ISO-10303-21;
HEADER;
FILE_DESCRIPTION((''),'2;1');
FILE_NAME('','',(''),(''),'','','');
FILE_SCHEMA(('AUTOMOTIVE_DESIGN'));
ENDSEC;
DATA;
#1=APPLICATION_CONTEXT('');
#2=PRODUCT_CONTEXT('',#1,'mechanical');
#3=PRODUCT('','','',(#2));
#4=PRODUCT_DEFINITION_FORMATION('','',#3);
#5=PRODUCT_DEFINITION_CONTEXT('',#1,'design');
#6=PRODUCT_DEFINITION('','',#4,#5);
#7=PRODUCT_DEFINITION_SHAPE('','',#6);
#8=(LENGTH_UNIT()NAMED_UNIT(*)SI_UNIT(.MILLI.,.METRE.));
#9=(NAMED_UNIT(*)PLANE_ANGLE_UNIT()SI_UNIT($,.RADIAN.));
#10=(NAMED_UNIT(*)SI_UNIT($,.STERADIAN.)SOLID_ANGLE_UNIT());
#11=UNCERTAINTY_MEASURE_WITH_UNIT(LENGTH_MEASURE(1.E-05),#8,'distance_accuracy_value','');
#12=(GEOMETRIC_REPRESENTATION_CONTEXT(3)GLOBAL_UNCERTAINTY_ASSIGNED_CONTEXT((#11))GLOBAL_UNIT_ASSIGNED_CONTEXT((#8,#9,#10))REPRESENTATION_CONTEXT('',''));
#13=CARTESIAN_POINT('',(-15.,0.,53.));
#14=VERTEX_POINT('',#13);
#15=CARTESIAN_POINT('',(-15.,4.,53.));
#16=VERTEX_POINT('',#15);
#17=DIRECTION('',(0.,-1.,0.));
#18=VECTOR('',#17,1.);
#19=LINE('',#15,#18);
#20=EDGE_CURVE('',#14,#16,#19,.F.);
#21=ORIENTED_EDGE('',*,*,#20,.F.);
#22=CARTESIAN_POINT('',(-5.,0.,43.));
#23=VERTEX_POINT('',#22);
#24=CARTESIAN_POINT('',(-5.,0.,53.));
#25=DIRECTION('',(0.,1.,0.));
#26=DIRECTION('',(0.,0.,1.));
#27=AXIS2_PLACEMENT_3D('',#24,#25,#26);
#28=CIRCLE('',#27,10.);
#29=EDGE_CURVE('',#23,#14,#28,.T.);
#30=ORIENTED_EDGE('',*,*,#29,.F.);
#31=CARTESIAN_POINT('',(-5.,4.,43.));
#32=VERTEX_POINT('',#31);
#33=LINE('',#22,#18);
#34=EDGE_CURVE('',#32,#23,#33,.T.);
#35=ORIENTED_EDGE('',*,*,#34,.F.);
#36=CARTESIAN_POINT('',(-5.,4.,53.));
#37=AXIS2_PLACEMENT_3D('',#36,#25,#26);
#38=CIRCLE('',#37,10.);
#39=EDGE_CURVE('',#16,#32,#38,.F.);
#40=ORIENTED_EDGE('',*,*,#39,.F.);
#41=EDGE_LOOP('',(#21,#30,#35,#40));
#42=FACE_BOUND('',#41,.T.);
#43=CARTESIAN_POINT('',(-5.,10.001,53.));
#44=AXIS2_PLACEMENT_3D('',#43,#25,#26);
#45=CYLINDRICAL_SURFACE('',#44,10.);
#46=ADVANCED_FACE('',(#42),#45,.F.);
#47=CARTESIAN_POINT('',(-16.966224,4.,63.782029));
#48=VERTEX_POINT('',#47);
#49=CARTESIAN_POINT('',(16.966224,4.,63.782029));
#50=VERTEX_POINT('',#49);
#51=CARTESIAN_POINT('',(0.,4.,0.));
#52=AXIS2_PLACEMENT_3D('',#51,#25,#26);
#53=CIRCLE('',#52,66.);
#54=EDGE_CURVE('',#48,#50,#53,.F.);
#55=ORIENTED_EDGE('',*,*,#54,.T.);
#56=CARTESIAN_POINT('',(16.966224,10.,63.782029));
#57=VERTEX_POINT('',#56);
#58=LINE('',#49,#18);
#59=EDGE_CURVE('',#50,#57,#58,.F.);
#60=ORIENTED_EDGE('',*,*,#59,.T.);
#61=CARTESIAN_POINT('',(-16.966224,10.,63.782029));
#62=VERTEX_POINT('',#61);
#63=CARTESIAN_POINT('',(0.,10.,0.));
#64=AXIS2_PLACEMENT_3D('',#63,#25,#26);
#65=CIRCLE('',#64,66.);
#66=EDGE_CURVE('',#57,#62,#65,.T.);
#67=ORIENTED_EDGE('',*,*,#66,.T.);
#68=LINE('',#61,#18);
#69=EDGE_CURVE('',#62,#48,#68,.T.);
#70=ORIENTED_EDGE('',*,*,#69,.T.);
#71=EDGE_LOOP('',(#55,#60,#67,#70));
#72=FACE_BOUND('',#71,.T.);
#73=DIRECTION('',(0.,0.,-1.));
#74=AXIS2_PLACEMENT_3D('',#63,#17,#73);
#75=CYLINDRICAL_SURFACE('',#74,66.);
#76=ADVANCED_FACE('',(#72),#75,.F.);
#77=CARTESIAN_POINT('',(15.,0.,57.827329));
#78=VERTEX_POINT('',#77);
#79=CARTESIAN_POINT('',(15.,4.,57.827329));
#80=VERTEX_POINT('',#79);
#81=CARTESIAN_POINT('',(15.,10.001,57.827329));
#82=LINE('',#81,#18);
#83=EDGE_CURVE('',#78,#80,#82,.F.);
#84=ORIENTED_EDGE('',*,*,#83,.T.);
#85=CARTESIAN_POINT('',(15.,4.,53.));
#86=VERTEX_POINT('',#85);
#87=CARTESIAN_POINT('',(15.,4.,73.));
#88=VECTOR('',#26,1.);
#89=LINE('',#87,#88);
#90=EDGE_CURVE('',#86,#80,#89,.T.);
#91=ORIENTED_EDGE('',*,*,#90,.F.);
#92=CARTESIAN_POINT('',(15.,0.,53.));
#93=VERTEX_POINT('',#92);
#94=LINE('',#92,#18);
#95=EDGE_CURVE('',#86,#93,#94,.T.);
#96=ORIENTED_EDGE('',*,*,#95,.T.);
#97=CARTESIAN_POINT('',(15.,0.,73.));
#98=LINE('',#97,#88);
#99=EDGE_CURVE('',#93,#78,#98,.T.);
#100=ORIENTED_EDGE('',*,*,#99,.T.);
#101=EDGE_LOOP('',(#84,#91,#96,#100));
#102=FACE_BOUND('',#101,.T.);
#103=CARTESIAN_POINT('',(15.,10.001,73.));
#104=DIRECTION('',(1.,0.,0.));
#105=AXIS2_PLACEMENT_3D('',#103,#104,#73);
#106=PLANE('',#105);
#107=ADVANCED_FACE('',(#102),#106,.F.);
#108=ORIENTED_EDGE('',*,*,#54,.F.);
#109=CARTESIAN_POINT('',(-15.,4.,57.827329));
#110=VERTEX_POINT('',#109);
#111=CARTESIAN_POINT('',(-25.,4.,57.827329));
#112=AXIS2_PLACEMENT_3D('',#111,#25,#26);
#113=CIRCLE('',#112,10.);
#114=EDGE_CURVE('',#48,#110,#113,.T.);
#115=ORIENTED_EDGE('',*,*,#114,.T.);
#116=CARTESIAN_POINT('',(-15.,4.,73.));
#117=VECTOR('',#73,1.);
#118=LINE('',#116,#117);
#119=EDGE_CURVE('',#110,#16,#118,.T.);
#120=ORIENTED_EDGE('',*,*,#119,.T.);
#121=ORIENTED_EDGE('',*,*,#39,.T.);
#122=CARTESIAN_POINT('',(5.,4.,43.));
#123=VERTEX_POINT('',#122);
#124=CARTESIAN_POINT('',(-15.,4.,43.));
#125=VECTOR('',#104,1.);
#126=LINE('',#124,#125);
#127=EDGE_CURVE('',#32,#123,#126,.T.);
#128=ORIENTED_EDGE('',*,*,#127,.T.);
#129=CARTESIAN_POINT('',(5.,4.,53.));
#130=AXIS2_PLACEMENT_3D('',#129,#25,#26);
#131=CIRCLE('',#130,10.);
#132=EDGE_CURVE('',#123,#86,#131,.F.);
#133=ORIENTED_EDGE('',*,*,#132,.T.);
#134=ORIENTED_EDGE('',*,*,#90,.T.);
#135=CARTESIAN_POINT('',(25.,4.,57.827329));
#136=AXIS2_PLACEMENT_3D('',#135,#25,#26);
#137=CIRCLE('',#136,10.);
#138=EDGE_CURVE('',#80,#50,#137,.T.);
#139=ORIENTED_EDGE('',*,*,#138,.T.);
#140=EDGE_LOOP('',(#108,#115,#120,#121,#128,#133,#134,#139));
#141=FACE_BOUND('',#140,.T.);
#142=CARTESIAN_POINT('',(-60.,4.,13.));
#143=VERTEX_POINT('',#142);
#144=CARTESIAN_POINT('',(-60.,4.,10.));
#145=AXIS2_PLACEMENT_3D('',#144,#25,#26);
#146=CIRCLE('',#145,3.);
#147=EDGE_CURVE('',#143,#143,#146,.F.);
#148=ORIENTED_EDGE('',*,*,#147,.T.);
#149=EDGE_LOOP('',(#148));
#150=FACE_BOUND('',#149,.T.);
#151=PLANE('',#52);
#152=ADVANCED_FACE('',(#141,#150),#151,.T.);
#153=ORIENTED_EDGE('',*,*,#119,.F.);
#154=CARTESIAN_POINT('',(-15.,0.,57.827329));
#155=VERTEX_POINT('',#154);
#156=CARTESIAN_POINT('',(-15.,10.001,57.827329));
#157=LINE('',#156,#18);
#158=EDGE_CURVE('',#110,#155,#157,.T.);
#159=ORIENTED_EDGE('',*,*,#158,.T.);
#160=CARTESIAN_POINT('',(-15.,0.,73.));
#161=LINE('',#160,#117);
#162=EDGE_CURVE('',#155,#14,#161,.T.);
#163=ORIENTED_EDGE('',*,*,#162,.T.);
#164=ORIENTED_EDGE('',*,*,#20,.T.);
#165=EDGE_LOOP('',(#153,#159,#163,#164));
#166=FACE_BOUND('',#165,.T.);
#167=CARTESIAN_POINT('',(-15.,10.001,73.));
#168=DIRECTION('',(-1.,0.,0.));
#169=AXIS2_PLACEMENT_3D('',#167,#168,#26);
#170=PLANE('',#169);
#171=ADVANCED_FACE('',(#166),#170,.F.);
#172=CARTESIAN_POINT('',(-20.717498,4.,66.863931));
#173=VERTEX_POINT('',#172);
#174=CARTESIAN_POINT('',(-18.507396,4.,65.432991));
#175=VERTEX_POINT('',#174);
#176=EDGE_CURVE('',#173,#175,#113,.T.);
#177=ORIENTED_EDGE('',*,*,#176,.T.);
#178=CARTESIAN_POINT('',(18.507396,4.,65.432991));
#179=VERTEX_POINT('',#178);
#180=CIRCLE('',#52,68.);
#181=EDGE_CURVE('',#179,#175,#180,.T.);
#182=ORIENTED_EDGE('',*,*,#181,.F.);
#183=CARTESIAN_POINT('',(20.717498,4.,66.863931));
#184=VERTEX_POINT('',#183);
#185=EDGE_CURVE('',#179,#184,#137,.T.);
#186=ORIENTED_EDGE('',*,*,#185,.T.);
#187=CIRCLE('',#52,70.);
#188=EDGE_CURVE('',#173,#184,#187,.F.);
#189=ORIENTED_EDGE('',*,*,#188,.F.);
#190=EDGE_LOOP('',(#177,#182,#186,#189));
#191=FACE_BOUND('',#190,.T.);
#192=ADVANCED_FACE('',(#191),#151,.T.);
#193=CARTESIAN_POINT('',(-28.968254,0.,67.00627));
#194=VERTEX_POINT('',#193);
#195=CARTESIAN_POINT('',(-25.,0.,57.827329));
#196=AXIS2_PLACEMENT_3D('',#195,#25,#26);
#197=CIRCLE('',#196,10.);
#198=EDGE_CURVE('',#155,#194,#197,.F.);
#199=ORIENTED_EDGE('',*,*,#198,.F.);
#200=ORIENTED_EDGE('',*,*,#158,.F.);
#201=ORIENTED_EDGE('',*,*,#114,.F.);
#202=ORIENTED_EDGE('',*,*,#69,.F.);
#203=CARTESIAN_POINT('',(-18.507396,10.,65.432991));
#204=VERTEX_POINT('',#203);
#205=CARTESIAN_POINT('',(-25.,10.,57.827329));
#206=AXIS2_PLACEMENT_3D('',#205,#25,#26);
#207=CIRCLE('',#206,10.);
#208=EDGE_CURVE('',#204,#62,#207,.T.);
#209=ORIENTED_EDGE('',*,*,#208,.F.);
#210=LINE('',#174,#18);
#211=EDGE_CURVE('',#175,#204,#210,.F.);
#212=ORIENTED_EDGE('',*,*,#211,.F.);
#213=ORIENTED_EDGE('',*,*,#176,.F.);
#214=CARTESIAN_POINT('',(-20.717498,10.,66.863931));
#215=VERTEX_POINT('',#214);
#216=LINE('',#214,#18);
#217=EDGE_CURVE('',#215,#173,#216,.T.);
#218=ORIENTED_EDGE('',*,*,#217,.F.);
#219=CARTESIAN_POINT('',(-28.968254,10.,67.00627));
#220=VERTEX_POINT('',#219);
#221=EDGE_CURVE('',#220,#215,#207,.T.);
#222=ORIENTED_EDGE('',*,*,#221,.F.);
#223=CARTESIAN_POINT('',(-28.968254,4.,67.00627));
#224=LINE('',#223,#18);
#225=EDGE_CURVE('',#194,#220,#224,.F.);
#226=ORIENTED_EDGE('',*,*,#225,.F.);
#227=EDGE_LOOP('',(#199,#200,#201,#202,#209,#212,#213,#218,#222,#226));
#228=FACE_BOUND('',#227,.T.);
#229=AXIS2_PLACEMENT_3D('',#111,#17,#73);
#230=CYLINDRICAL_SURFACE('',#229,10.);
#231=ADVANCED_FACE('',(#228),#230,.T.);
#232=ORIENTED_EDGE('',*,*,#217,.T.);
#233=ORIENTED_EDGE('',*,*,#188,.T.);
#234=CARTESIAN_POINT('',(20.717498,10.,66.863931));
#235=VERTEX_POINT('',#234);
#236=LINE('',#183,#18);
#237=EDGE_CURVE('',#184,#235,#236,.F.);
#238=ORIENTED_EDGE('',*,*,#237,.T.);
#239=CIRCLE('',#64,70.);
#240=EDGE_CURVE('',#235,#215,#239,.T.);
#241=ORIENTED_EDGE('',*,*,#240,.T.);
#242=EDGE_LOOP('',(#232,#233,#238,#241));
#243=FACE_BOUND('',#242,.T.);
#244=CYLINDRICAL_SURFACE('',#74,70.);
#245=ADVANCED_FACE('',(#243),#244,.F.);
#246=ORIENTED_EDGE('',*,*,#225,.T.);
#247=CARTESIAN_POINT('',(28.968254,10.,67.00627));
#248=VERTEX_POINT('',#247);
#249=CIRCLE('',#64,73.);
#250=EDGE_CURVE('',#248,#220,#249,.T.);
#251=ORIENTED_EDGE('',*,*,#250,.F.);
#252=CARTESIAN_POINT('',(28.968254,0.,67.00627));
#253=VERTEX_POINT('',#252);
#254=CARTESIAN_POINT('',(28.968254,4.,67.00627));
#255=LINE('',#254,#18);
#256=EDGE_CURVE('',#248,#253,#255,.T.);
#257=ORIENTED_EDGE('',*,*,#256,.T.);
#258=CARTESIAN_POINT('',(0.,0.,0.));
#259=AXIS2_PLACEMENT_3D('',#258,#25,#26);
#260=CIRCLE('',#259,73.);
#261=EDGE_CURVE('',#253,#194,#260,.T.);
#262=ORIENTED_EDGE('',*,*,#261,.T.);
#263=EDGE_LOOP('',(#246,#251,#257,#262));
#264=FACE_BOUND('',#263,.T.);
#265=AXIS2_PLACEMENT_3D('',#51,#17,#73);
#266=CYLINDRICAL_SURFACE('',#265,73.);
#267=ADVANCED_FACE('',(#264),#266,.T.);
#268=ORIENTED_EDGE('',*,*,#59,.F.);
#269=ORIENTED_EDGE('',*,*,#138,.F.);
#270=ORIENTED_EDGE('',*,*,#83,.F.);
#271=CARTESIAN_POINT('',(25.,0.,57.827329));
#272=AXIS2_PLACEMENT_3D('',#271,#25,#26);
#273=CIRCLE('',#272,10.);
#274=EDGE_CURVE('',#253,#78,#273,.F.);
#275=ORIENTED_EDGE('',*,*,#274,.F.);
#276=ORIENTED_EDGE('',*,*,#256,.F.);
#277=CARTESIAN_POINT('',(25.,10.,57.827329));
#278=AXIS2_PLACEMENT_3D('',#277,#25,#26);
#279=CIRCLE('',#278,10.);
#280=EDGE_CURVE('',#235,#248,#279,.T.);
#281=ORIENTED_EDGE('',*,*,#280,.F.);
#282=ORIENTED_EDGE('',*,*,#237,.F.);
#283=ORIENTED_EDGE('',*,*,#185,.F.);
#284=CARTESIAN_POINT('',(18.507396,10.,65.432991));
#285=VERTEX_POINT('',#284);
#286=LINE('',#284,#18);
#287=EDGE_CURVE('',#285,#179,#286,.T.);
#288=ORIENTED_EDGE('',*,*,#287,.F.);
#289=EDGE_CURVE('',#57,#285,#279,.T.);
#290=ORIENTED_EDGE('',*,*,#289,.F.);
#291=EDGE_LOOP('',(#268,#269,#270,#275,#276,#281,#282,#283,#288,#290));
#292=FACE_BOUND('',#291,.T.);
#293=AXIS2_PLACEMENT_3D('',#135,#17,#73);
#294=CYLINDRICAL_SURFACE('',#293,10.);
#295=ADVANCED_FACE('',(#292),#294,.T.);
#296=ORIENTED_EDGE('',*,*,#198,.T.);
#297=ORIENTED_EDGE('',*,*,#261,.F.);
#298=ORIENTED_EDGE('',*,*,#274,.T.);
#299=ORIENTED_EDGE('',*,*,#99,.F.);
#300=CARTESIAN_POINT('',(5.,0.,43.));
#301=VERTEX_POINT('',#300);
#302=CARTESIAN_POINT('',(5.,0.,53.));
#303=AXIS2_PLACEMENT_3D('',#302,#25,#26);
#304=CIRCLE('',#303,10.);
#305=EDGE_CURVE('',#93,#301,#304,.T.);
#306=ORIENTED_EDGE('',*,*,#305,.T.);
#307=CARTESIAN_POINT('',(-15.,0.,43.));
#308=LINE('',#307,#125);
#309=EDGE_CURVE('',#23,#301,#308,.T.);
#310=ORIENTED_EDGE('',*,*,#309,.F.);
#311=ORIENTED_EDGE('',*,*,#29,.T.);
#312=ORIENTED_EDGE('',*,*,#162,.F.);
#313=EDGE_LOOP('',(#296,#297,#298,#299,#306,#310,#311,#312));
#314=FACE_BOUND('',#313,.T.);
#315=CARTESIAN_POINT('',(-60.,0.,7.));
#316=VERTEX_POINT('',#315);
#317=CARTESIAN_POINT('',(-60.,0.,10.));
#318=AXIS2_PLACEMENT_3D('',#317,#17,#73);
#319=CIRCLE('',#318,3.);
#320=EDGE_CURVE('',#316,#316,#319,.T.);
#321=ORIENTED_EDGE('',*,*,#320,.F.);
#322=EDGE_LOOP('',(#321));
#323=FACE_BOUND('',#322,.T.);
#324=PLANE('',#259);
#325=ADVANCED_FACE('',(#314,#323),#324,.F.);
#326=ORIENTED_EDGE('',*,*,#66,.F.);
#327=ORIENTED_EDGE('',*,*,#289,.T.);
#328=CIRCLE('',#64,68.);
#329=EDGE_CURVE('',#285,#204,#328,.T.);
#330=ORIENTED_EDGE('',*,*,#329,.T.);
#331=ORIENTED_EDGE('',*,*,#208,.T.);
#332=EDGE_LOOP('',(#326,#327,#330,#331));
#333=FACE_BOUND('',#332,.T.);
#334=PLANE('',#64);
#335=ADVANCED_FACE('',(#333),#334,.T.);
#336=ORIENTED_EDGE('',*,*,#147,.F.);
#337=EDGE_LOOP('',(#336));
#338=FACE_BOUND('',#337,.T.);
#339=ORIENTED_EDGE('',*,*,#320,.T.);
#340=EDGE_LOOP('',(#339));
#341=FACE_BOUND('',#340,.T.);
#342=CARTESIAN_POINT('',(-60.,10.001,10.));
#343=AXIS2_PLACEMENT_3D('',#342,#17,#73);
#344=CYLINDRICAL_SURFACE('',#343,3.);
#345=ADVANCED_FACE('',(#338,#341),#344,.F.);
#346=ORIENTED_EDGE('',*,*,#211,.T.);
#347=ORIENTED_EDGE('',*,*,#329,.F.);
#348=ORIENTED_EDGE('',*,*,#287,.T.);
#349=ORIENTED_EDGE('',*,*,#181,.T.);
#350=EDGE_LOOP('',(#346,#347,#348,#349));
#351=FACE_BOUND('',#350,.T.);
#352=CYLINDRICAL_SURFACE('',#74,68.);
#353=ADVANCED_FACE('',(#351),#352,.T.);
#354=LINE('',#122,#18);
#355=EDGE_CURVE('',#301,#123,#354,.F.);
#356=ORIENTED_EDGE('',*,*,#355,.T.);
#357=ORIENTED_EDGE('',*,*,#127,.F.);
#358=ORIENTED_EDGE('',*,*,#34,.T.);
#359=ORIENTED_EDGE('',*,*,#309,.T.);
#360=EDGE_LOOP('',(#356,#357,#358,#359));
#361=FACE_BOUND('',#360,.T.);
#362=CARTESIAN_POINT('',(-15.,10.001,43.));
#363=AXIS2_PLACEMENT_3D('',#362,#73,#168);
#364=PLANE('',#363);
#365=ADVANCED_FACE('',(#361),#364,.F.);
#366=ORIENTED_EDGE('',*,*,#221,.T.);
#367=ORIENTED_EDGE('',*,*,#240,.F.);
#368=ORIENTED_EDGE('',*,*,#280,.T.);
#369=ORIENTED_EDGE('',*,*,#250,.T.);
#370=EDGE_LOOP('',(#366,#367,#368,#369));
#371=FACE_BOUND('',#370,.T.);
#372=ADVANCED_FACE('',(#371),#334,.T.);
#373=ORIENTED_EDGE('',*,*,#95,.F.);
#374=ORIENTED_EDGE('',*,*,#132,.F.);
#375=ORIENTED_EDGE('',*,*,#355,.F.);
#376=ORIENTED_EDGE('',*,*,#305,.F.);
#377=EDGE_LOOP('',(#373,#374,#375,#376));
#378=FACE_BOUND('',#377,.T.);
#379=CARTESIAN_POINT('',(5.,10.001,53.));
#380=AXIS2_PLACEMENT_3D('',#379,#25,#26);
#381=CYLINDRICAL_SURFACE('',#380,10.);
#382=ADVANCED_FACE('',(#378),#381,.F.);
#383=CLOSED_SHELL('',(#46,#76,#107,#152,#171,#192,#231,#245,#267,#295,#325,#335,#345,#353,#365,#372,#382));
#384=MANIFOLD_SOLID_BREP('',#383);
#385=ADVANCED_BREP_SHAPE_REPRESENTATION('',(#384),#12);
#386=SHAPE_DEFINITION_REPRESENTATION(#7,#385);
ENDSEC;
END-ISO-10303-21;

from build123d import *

# Parameters (mm, degrees)
SKETCH1_R           = 73
BOSS_EXTRUDE1_DEPTH = 4
SKETCH2_R           = 73
SKETCH2_R_2         = 70
SKETCH2_R_3         = 68
SKETCH2_R_4         = 66
BOSS_EXTRUDE2_DEPTH = 6
CUT_EXTRUDE1_REACH  = 105.721
SKETCH4_W           = 30
SKETCH4_H           = 30
FILLET1_R           = 10
FILLET2_R           = 10
CUT_EXTRUDE2_REACH  = 105.721
SKETCH6_R           = 3


with BuildPart() as part:
    # Sketch1 → Boss-Extrude1 (new body)
    with BuildSketch(Plane(origin=(0, 0, 0), x_dir=(1, 0, 0), z_dir=(0, 1, 0))):
        with Locations(Location((0, 0, 0), (0, 0, 270))):
            Circle(SKETCH1_R)
    extrude(amount=BOSS_EXTRUDE1_DEPTH)

    # Sketch2 → Boss-Extrude2 (add)
    with BuildSketch(Plane(origin=(0, 4, 0), x_dir=(1, 0, 0), z_dir=(0, 1, 0))):
        with Locations(Location((0, 0, 0), (0, 0, 270))):
            Circle(SKETCH2_R)
        with Locations(Location((0, 0, 0), (0, 0, 270))):
            Circle(SKETCH2_R_2, mode=Mode.SUBTRACT)
        with Locations(Location((0, 0, 0), (0, 0, 270))):
            Circle(SKETCH2_R_3)
        with Locations(Location((0, 0, 0), (0, 0, 270))):
            Circle(SKETCH2_R_4, mode=Mode.SUBTRACT)
    extrude(amount=BOSS_EXTRUDE2_DEPTH)

    # Sketch4 → Cut-Extrude1 (cut, up to next)
    with BuildSketch(Plane.XZ, mode=Mode.PRIVATE) as cut_extrude1_sk1:
        with Locations((0, 58)):
            Rectangle(SKETCH4_W, SKETCH4_H)
    cut_extrude1_tool1 = extrude(cut_extrude1_sk1.sketch, amount=-CUT_EXTRUDE1_REACH, mode=Mode.PRIVATE) & part.part
    add(cut_extrude1_tool1.solids().sort_by_distance((0, 0, 58))[0], mode=Mode.SUBTRACT)

    # Fillet1
    fillet1_edges = [part.edges().sort_by_distance(p)[0] for p in [
        (15, 5, 71.442284398),
        (-15, 5, 71.442284398),
    ]]
    fillet(fillet1_edges, radius=FILLET1_R)

    # Fillet2
    fillet2_edges = [part.edges().sort_by_distance(p)[0] for p in [
        (-15, 2, 43),
        (15, 2, 43),
    ]]
    fillet(fillet2_edges, radius=FILLET2_R)

    # Sketch6 → Cut-Extrude2 (cut, up to next)
    with BuildSketch(Plane.XZ, mode=Mode.PRIVATE) as cut_extrude2_sk1:
        with Locations(Location((-60, 10, 0), (0, 0, 270))):
            Circle(SKETCH6_R)
    cut_extrude2_tool1 = extrude(cut_extrude2_sk1.sketch, amount=-CUT_EXTRUDE2_REACH, mode=Mode.PRIVATE) & part.part
    add(cut_extrude2_tool1.solids().sort_by_distance((-60, 0, 10))[0], mode=Mode.SUBTRACT)


solid = part.part
